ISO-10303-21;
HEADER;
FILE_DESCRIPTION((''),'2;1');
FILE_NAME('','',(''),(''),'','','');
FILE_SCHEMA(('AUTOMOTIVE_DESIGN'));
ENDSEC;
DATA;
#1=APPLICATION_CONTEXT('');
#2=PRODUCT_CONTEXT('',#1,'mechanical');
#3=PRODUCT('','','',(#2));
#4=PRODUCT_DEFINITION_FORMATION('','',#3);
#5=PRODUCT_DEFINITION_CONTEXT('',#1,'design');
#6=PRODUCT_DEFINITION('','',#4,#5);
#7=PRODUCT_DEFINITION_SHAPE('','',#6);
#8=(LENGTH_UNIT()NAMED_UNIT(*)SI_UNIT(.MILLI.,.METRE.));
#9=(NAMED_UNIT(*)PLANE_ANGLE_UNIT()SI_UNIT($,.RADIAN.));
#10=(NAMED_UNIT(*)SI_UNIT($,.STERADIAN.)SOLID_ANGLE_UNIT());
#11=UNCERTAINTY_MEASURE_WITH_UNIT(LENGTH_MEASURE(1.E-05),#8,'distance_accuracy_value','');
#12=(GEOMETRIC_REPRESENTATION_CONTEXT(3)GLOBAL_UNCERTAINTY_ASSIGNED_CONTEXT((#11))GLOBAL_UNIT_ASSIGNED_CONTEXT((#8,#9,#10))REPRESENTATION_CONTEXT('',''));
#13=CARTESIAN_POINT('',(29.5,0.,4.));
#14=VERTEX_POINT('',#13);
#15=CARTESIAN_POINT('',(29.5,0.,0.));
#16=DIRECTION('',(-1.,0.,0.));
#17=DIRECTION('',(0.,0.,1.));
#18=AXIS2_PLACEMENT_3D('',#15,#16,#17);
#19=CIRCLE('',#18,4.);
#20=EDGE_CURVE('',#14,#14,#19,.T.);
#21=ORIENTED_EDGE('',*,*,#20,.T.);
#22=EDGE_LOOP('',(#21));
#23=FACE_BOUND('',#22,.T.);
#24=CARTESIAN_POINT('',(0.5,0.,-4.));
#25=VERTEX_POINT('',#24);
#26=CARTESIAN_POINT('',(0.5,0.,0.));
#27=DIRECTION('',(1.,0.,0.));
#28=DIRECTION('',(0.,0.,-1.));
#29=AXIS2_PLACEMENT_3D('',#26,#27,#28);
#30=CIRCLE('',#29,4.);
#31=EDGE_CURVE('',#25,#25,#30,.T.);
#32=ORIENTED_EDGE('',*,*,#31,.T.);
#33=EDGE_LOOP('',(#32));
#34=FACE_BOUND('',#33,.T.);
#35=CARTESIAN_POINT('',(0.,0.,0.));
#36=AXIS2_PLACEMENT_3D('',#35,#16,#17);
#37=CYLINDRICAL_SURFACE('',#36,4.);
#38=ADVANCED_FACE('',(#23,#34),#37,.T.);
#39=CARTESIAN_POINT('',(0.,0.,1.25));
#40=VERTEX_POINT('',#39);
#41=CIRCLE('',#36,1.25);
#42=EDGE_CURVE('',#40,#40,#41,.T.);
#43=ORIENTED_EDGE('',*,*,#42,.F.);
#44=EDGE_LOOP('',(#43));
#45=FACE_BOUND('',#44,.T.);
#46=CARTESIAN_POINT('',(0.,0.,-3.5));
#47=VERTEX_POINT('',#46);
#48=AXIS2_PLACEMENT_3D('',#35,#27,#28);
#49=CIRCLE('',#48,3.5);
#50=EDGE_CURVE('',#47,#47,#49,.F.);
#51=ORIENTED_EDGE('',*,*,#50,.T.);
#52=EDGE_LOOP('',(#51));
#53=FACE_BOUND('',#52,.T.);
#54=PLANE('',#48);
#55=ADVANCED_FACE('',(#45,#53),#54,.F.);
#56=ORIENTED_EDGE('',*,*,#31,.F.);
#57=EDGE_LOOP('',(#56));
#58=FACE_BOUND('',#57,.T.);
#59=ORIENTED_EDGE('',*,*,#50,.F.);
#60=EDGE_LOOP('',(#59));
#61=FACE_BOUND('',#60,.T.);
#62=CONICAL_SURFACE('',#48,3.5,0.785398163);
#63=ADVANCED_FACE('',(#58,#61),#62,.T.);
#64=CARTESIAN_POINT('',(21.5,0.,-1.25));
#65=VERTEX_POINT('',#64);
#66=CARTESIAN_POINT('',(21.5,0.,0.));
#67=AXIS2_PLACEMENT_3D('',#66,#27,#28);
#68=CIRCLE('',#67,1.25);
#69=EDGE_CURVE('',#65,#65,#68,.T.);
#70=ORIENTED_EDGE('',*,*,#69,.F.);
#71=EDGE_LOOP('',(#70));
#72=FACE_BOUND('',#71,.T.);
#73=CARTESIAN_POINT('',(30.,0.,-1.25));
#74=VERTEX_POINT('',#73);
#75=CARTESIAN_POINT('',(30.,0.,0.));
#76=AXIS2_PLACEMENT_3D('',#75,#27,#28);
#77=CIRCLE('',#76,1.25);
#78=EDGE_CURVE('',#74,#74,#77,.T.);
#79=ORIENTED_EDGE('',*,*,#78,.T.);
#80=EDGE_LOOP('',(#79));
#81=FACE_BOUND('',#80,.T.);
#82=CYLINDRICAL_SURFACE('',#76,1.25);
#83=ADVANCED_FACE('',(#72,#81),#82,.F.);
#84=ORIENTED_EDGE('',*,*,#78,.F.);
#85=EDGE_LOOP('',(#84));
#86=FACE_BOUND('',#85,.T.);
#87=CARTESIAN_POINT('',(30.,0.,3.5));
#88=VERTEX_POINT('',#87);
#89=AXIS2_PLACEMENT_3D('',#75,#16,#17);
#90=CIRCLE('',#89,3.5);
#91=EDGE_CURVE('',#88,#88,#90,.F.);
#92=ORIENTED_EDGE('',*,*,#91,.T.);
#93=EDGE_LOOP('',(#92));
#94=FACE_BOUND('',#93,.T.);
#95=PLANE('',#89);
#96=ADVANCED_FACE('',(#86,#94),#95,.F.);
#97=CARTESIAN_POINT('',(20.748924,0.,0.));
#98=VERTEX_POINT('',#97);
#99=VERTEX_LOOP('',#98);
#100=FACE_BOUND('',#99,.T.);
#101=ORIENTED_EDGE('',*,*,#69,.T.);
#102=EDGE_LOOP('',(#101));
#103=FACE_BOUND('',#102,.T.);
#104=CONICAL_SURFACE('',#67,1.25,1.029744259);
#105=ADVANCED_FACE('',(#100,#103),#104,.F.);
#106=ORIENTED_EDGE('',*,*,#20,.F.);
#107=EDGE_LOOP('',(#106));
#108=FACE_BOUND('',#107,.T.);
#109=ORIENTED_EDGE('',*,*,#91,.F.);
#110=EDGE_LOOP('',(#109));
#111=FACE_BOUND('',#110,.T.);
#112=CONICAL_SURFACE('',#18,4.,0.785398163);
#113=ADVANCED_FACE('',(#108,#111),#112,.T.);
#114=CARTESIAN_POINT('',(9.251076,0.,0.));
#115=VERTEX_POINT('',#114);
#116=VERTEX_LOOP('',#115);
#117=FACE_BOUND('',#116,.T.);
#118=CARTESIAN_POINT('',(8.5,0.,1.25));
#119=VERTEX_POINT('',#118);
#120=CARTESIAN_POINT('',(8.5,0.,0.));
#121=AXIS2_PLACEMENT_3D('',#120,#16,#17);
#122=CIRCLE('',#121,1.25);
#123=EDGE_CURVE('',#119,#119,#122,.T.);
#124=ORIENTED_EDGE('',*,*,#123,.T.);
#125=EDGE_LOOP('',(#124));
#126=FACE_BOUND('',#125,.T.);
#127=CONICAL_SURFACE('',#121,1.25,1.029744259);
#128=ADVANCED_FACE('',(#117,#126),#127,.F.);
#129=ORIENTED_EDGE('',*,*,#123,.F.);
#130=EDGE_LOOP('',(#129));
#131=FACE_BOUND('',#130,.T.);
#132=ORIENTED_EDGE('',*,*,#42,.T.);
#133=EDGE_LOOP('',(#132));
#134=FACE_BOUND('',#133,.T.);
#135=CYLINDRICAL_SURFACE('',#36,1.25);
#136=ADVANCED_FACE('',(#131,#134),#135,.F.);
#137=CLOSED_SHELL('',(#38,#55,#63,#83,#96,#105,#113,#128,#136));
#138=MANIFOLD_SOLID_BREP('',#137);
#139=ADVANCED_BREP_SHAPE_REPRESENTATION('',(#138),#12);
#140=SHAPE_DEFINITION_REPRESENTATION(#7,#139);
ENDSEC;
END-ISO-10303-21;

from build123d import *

# Parameters (mm, degrees)
SKETCH1_W          = 30
SKETCH1_H          = 4
TAPPED_HOLE1_D     = 2.5
TAPPED_HOLE1_DEPTH = 8.5
TAPPED_HOLE1_TIP   = 0.751075774
TAPPED_HOLE2_D     = 2.5
TAPPED_HOLE2_DEPTH = 8.5
TAPPED_HOLE2_TIP   = 0.751075774
CHAMFER1_SIZE      = 0.5


with BuildPart() as part:
    # Sketch1 → Revolve1 (revolve)
    with BuildSketch(Plane.XY):
        with Locations((15, 2)):
            Rectangle(SKETCH1_W, SKETCH1_H)
    revolve(axis=Axis((0, 0, 0), (1, 0, 0)))

    # Tapped Hole1
    with Locations(Plane.ZY):
        with Locations((0, 0)):
            Hole(TAPPED_HOLE1_D / 2, depth=TAPPED_HOLE1_DEPTH)
            with Locations((0, 0, -(TAPPED_HOLE1_DEPTH + TAPPED_HOLE1_TIP / 2))):  # 118° drill point
                Cone(0, TAPPED_HOLE1_D / 2, TAPPED_HOLE1_TIP, mode=Mode.SUBTRACT)

    # Tapped Hole2
    with Locations(Plane(origin=(30, 0, 0), x_dir=(0, 0, -1), z_dir=(1, 0, 0))):
        with Locations((0, 0)):
            Hole(TAPPED_HOLE2_D / 2, depth=TAPPED_HOLE2_DEPTH)
            with Locations((0, 0, -(TAPPED_HOLE2_DEPTH + TAPPED_HOLE2_TIP / 2))):  # 118° drill point
                Cone(0, TAPPED_HOLE2_D / 2, TAPPED_HOLE2_TIP, mode=Mode.SUBTRACT)

    # Chamfer1
    chamfer1_edges = [part.edges().sort_by_distance(p)[0] for p in [
        (0, -4, 0),
        (30, -4, 0),
    ]]
    chamfer(chamfer1_edges, length=CHAMFER1_SIZE)


solid = part.part
